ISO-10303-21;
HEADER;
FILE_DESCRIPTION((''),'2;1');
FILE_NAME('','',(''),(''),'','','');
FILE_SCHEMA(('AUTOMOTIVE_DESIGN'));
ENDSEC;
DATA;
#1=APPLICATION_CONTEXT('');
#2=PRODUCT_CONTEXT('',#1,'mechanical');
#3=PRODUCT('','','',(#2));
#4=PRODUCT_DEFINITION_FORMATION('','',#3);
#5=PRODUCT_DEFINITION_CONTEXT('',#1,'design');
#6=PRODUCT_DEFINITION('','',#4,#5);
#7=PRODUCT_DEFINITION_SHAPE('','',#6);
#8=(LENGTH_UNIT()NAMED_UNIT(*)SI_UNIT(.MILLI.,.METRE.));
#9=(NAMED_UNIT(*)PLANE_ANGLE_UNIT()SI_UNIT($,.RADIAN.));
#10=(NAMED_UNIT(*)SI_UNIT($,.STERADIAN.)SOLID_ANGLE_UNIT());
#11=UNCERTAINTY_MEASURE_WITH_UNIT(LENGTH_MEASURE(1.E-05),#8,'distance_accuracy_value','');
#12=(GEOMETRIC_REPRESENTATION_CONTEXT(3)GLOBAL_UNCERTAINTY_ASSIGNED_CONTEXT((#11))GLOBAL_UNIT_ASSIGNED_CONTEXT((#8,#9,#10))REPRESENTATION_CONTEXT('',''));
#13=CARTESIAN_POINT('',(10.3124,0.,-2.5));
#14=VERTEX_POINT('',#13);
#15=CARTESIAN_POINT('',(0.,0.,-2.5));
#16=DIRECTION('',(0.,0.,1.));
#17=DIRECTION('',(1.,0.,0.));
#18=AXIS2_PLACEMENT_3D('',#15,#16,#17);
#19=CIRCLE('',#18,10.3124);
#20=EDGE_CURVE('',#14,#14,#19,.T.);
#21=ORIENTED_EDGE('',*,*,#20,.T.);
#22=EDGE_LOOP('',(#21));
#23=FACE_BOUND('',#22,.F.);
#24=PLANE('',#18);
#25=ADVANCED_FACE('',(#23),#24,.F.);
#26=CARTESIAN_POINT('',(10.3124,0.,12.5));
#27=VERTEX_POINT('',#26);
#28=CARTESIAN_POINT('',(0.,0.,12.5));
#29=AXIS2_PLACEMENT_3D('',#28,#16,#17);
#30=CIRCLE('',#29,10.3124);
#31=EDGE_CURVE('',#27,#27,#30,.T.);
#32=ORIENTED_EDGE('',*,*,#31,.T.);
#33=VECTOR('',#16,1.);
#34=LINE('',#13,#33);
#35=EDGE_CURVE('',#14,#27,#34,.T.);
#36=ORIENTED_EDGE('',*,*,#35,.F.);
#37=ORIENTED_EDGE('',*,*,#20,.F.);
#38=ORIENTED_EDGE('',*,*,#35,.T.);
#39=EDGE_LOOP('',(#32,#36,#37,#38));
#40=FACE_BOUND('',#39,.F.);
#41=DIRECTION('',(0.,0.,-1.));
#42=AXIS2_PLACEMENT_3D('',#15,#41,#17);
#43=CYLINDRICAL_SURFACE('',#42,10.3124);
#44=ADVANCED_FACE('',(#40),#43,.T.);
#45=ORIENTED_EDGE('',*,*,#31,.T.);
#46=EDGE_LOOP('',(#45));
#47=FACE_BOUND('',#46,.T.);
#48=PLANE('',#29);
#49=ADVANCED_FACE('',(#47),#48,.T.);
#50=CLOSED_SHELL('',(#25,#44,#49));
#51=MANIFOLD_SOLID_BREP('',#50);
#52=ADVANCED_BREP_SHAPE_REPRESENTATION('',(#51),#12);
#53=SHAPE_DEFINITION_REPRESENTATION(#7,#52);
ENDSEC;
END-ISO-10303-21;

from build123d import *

# Parameters (mm, degrees)
CYLINDER_R     = 10.3124
CYLINDER_DEPTH = 15


with BuildPart() as part:
    # Cylinder → Cylinder (new body)
    with BuildSketch(Plane.XY.offset(-2.5)):
        Circle(CYLINDER_R)
    extrude(amount=CYLINDER_DEPTH)


solid = part.part
